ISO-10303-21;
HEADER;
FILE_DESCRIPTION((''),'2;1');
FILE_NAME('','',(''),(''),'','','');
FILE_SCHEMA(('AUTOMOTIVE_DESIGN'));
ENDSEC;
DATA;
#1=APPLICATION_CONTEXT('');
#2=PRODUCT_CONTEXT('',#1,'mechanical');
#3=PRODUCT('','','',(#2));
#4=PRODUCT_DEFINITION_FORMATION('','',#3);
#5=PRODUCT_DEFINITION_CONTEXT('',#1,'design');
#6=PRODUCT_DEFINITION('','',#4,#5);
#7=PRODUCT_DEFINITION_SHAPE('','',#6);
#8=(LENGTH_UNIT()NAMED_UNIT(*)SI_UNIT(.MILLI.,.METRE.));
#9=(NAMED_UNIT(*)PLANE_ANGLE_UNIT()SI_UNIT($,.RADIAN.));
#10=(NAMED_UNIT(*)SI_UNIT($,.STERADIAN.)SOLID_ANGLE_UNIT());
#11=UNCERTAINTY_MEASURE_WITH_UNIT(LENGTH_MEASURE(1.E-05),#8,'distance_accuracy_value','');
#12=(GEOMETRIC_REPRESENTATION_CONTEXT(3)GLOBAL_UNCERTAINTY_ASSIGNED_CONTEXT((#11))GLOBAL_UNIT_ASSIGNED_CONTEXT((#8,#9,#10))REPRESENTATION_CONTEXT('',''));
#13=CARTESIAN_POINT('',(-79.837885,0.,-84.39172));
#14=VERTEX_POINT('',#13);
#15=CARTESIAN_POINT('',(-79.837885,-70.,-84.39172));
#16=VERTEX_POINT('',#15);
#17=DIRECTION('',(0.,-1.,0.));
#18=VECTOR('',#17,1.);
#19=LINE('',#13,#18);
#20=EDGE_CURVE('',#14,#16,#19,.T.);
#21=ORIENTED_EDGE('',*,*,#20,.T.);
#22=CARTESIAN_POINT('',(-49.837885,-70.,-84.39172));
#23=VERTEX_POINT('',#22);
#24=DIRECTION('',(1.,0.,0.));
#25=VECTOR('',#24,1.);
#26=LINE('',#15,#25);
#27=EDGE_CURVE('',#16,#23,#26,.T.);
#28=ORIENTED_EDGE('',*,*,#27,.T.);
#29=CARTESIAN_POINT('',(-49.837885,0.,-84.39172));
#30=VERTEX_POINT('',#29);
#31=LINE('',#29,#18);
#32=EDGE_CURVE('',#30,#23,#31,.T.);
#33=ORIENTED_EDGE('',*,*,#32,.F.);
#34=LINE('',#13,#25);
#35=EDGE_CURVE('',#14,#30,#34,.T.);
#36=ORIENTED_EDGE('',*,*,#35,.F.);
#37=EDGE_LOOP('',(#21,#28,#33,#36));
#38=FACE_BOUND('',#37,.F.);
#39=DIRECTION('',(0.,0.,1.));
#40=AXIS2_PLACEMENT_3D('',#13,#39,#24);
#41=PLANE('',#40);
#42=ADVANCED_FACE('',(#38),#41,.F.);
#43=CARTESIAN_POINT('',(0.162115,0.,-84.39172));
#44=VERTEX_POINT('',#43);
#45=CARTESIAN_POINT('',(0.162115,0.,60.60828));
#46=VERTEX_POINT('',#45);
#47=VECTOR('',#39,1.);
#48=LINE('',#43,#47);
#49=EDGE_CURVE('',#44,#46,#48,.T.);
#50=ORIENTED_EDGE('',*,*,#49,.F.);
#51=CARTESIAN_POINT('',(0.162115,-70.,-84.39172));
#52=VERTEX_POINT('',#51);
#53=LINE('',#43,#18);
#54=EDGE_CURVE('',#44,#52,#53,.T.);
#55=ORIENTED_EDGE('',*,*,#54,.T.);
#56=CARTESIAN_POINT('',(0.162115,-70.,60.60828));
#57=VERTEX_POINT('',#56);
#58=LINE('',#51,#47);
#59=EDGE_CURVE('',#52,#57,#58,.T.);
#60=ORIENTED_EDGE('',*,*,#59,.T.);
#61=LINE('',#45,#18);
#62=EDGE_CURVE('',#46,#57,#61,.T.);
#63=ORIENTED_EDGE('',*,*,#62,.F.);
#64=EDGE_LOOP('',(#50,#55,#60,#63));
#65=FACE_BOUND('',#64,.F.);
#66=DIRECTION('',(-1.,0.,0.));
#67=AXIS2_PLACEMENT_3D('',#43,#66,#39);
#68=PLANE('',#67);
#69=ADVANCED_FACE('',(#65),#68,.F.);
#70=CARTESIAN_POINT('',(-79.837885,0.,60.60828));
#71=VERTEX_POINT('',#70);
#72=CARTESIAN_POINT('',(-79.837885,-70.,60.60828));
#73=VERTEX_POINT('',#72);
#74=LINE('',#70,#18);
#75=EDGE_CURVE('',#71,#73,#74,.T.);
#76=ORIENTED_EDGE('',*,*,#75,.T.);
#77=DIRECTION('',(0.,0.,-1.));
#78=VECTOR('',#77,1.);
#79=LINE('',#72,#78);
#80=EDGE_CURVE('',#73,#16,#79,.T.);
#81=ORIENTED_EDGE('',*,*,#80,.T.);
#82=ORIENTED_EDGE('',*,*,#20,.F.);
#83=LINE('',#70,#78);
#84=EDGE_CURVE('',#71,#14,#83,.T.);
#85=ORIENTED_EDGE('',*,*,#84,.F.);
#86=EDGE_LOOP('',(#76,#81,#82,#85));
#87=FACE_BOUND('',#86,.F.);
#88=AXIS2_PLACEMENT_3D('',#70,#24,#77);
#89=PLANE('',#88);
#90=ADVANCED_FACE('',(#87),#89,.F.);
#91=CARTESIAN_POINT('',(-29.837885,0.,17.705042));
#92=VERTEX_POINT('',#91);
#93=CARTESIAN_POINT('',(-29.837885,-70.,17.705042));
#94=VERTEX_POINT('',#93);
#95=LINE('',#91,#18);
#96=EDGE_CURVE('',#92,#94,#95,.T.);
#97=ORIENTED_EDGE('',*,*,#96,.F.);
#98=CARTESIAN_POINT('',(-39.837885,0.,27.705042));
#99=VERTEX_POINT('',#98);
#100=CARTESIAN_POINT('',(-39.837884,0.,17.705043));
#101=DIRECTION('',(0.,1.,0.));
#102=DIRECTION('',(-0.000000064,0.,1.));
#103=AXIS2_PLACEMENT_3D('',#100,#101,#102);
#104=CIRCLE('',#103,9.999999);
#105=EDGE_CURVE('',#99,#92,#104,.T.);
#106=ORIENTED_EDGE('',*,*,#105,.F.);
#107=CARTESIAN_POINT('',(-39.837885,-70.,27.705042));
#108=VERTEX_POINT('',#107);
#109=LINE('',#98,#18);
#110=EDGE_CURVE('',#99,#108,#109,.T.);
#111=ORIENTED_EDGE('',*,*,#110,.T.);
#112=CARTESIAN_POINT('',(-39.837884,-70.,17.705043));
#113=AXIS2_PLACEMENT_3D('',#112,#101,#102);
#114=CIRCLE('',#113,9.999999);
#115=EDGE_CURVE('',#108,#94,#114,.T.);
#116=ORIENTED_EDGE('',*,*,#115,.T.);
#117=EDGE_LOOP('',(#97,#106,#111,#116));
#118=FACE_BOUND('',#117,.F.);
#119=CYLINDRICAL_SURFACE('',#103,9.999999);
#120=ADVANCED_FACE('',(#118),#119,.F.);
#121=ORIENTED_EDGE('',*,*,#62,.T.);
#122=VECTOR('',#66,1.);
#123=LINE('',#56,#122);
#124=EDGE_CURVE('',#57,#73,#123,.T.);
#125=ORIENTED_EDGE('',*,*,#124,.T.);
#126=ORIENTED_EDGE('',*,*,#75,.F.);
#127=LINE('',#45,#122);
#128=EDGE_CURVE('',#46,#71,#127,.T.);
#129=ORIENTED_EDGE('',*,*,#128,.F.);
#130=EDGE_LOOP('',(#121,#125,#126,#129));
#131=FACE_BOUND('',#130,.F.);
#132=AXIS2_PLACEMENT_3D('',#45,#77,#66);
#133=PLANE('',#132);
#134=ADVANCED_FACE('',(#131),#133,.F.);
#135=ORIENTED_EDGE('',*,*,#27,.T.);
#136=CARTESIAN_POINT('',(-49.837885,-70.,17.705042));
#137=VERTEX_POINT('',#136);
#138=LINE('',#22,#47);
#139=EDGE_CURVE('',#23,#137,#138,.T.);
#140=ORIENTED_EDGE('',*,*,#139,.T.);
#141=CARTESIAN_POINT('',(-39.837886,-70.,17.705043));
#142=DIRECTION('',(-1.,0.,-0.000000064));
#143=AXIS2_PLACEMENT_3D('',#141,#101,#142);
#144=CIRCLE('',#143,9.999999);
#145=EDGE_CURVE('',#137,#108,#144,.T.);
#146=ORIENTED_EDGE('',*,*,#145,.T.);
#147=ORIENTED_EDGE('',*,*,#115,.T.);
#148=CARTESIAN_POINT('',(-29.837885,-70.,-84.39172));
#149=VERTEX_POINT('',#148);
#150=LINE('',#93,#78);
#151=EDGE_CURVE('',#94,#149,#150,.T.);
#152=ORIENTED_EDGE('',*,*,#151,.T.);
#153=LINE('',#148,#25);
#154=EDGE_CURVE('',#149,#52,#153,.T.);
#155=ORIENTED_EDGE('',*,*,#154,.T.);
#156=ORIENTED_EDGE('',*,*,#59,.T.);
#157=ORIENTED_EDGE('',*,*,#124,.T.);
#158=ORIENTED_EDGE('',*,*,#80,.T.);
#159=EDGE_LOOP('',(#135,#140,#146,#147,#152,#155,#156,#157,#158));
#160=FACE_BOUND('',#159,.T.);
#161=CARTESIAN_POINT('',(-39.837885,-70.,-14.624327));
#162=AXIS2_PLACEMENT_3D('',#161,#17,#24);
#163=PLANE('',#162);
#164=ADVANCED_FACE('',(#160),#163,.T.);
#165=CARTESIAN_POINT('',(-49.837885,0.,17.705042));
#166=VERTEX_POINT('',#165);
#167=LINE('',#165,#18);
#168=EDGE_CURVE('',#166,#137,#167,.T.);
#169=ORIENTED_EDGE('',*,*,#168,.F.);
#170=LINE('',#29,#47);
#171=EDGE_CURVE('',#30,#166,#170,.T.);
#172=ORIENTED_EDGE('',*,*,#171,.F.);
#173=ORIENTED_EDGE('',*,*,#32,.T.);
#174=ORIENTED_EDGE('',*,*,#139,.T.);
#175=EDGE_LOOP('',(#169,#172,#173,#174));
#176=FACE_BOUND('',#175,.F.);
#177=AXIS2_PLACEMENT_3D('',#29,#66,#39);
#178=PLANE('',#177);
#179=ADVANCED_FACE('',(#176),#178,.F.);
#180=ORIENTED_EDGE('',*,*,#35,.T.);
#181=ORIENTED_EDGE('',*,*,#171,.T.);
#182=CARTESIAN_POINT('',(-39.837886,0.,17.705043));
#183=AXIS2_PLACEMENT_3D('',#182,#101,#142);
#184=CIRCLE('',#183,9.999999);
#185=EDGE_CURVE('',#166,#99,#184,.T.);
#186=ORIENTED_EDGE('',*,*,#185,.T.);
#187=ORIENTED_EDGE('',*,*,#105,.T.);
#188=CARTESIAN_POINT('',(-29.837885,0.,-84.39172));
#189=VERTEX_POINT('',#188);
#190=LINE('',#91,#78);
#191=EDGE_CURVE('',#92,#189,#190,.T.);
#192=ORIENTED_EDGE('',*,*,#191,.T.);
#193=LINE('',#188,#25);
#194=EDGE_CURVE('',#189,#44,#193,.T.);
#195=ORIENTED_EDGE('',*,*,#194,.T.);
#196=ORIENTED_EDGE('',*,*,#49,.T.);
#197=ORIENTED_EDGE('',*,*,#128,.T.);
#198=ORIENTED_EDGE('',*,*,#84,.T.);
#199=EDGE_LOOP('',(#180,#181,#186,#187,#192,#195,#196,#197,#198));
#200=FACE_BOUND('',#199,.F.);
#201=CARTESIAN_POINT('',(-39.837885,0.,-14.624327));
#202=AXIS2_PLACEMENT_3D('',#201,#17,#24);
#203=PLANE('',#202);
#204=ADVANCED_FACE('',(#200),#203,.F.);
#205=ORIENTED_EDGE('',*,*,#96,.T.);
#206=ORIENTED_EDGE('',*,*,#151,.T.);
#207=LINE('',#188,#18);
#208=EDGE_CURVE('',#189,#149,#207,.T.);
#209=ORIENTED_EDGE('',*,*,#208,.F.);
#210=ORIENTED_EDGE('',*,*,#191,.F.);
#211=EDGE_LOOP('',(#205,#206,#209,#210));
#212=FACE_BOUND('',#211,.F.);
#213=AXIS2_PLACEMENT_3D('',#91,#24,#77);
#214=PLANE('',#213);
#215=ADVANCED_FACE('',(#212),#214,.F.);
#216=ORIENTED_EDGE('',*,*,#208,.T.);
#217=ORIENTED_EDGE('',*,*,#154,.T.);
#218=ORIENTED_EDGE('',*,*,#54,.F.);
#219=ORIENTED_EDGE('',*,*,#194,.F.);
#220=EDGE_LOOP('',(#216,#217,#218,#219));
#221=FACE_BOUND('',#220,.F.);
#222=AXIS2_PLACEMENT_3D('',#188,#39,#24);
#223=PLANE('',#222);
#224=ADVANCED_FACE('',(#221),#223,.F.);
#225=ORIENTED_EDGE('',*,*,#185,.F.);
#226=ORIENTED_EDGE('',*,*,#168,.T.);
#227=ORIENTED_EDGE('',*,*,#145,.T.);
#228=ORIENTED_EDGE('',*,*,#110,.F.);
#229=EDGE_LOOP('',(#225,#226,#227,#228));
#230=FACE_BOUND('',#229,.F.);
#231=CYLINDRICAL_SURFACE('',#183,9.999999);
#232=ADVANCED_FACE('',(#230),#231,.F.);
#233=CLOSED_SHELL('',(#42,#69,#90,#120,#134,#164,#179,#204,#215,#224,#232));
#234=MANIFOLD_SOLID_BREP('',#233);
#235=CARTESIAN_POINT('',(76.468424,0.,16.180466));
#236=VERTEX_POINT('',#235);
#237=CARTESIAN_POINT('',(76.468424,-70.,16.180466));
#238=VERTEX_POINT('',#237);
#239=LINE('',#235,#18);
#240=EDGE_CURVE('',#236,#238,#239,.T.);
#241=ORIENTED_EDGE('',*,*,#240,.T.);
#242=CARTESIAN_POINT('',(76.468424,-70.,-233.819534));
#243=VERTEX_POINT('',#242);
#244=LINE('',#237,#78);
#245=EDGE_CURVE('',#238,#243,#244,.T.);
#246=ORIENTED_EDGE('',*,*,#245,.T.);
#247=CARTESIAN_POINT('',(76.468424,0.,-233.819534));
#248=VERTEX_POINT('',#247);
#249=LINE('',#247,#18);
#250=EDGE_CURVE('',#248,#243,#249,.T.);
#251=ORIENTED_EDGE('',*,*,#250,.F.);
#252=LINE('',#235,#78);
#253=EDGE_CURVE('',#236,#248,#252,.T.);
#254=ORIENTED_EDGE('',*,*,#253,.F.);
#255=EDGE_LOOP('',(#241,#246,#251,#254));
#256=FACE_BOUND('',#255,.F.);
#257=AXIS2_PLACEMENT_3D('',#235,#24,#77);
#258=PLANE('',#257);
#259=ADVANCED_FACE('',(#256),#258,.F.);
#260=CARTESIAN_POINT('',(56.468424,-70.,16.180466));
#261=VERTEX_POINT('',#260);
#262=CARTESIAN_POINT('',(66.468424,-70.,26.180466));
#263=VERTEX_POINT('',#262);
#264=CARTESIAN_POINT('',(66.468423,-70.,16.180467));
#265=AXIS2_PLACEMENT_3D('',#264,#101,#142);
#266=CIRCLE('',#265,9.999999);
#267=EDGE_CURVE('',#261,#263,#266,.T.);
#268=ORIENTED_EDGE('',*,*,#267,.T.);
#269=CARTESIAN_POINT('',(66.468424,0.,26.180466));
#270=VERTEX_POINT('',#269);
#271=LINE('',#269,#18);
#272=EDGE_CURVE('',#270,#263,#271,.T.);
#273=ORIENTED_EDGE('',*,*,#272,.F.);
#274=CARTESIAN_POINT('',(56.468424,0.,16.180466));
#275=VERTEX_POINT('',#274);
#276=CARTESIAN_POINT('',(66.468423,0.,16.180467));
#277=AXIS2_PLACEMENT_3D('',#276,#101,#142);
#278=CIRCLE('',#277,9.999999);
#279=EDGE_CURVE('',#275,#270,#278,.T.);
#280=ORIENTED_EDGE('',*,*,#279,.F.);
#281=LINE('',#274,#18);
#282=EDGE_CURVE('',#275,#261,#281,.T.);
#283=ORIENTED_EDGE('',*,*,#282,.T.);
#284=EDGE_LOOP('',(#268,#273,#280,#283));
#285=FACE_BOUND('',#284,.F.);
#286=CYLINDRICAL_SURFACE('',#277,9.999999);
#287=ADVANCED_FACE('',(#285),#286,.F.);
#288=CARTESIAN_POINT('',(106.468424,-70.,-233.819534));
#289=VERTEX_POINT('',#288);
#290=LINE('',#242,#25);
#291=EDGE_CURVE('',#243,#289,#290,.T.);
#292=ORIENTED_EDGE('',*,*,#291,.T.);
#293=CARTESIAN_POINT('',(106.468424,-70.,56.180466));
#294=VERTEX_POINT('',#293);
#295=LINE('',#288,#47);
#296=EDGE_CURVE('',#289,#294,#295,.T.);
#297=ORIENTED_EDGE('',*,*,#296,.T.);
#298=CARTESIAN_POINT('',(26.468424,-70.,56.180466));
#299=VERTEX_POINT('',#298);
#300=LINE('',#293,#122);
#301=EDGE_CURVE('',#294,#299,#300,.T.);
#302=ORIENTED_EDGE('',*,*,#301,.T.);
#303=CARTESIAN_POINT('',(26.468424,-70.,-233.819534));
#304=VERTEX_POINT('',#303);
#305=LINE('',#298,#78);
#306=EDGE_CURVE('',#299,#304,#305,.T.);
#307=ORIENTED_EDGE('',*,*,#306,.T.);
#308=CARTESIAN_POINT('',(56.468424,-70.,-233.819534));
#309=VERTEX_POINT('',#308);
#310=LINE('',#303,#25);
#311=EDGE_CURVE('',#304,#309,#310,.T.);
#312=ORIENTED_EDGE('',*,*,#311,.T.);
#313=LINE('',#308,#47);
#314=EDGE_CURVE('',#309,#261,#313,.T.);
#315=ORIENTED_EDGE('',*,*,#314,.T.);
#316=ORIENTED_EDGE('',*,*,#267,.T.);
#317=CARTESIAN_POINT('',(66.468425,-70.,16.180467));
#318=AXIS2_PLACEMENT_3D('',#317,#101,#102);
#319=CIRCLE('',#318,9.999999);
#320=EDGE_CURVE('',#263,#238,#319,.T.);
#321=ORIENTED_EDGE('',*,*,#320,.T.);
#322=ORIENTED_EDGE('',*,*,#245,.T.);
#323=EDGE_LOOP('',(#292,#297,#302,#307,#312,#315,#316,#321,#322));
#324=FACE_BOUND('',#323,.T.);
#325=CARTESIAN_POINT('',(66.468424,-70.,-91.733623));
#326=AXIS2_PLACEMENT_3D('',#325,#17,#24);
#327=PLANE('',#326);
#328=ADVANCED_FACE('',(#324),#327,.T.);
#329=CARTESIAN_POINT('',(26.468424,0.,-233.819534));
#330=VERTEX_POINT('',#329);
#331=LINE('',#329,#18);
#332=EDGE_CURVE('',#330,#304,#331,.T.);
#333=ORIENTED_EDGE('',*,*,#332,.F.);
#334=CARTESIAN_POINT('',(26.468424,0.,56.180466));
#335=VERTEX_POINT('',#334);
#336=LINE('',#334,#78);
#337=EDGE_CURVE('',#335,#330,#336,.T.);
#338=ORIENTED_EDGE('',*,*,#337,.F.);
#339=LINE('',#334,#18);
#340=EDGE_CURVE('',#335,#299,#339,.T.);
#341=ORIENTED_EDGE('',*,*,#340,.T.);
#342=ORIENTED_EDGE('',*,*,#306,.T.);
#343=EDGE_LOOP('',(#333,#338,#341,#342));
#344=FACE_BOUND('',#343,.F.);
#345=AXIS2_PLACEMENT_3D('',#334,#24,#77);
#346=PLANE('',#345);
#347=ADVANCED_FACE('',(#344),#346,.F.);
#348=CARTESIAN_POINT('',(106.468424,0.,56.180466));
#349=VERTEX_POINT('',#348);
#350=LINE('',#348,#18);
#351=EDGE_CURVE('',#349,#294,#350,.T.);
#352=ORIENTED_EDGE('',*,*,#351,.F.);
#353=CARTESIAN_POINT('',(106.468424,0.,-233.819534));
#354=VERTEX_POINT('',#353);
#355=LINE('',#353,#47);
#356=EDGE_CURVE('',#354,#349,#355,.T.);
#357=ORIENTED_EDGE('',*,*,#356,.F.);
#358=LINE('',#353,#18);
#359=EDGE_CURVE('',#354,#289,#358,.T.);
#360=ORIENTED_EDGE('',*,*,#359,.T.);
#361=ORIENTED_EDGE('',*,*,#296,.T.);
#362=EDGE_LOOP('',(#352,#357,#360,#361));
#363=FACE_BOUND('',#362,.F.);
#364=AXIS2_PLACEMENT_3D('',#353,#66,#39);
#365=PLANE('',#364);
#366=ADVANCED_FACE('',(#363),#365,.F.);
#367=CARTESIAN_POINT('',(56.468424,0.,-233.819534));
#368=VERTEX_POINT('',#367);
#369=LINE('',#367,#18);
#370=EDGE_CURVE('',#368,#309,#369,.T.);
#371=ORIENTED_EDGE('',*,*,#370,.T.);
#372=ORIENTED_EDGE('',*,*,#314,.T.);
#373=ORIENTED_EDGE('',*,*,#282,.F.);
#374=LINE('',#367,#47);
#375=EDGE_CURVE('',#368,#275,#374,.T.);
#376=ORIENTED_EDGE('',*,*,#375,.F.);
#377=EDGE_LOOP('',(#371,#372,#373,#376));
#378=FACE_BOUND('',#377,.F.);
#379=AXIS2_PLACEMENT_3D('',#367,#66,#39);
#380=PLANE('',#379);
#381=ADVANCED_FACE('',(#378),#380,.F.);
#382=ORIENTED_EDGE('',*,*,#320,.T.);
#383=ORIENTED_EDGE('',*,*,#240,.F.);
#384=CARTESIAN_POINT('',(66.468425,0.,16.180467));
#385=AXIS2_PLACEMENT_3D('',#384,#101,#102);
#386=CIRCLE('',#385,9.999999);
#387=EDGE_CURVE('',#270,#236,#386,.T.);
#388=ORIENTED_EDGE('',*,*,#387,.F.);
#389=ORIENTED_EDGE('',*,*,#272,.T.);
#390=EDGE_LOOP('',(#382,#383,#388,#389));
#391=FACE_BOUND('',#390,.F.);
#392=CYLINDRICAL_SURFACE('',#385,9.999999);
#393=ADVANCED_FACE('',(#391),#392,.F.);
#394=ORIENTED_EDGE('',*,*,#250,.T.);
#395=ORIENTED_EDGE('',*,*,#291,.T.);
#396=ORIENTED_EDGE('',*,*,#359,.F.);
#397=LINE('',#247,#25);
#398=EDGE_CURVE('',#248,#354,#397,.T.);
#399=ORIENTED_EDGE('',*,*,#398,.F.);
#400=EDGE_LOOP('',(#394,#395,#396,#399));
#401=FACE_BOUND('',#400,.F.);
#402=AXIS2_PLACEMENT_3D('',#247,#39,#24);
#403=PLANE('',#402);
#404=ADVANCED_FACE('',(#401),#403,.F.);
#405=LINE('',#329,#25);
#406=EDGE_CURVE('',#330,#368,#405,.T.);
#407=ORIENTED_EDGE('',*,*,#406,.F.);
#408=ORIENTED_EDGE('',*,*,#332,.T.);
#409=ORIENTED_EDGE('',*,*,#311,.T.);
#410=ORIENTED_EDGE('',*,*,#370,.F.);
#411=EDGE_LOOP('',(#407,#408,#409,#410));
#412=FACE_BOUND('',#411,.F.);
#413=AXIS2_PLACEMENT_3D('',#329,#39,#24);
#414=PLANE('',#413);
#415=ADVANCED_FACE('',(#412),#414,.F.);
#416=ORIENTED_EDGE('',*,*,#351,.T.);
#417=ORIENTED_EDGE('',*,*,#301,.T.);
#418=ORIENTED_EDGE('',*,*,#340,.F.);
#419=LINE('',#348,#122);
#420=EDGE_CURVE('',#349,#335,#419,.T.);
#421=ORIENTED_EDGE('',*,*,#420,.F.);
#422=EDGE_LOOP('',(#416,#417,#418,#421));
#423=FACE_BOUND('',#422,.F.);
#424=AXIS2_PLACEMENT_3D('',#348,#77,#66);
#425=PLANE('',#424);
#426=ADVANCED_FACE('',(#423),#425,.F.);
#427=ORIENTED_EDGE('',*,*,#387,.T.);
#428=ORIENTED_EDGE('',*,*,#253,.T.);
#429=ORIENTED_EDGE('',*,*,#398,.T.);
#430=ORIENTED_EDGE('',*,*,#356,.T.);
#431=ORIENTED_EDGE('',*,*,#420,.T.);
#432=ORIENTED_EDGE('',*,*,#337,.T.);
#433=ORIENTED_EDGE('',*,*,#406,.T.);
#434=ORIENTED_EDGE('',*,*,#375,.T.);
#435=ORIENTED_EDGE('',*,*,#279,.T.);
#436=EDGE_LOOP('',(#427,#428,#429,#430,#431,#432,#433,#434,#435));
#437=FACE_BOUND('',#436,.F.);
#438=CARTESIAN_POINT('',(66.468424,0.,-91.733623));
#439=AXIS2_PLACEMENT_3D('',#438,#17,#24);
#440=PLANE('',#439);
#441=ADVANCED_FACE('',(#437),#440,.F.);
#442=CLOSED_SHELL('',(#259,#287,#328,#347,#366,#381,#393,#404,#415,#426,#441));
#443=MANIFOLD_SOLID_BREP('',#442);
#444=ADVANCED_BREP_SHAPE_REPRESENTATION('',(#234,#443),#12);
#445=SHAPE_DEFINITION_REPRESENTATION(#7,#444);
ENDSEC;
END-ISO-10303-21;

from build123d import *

# Parameters (mm, degrees)
F1_DEPTH = 70
F3_DEPTH = 70


with BuildPart() as f1:
    # F0 (on Front) → F1 (new body)
    with BuildSketch(Plane.XZ):
        with BuildLine():
            Line((-79.837885, 60.60828), (-79.837885, -84.39172))
            Line((-79.837885, -84.39172), (-49.837885, -84.39172))
            Line((-49.837885, -84.39172), (-49.837885, 17.705042))
            ThreePointArc((-49.837885, 17.705042), (-46.908953, 24.77611), (-39.837885, 27.705042))
            ThreePointArc((-39.837885, 27.705042), (-32.766817, 24.77611), (-29.837885, 17.705042))
            Line((-29.837885, 17.705042), (-29.837885, -84.39172))
            Line((-29.837885, -84.39172), (0.162115, -84.39172))
            Line((0.162115, -84.39172), (0.162115, 60.60828))
            Line((0.162115, 60.60828), (-79.837885, 60.60828))
        make_face()
    extrude(amount=F1_DEPTH)


with BuildPart() as f3:
    # F2 (on Front) → F3 (new body)
    with BuildSketch(Plane.XZ):
        with BuildLine():
            Line((26.468424, 56.180466), (26.468424, -233.819534))
            Line((26.468424, -233.819534), (56.468424, -233.819534))
            Line((56.468424, -233.819534), (56.468424, 16.180466))
            ThreePointArc((56.468424, 16.180466), (59.397356, 23.251534), (66.468424, 26.180466))
            ThreePointArc((66.468424, 26.180466), (73.539492, 23.251534), (76.468424, 16.180466))
            Line((76.468424, 16.180466), (76.468424, -233.819534))
            Line((76.468424, -233.819534), (106.468424, -233.819534))
            Line((106.468424, -233.819534), (106.468424, 56.180466))
            Line((106.468424, 56.180466), (26.468424, 56.180466))
        make_face()
    extrude(amount=F3_DEPTH)


solid = Compound([f1.part, f3.part])
